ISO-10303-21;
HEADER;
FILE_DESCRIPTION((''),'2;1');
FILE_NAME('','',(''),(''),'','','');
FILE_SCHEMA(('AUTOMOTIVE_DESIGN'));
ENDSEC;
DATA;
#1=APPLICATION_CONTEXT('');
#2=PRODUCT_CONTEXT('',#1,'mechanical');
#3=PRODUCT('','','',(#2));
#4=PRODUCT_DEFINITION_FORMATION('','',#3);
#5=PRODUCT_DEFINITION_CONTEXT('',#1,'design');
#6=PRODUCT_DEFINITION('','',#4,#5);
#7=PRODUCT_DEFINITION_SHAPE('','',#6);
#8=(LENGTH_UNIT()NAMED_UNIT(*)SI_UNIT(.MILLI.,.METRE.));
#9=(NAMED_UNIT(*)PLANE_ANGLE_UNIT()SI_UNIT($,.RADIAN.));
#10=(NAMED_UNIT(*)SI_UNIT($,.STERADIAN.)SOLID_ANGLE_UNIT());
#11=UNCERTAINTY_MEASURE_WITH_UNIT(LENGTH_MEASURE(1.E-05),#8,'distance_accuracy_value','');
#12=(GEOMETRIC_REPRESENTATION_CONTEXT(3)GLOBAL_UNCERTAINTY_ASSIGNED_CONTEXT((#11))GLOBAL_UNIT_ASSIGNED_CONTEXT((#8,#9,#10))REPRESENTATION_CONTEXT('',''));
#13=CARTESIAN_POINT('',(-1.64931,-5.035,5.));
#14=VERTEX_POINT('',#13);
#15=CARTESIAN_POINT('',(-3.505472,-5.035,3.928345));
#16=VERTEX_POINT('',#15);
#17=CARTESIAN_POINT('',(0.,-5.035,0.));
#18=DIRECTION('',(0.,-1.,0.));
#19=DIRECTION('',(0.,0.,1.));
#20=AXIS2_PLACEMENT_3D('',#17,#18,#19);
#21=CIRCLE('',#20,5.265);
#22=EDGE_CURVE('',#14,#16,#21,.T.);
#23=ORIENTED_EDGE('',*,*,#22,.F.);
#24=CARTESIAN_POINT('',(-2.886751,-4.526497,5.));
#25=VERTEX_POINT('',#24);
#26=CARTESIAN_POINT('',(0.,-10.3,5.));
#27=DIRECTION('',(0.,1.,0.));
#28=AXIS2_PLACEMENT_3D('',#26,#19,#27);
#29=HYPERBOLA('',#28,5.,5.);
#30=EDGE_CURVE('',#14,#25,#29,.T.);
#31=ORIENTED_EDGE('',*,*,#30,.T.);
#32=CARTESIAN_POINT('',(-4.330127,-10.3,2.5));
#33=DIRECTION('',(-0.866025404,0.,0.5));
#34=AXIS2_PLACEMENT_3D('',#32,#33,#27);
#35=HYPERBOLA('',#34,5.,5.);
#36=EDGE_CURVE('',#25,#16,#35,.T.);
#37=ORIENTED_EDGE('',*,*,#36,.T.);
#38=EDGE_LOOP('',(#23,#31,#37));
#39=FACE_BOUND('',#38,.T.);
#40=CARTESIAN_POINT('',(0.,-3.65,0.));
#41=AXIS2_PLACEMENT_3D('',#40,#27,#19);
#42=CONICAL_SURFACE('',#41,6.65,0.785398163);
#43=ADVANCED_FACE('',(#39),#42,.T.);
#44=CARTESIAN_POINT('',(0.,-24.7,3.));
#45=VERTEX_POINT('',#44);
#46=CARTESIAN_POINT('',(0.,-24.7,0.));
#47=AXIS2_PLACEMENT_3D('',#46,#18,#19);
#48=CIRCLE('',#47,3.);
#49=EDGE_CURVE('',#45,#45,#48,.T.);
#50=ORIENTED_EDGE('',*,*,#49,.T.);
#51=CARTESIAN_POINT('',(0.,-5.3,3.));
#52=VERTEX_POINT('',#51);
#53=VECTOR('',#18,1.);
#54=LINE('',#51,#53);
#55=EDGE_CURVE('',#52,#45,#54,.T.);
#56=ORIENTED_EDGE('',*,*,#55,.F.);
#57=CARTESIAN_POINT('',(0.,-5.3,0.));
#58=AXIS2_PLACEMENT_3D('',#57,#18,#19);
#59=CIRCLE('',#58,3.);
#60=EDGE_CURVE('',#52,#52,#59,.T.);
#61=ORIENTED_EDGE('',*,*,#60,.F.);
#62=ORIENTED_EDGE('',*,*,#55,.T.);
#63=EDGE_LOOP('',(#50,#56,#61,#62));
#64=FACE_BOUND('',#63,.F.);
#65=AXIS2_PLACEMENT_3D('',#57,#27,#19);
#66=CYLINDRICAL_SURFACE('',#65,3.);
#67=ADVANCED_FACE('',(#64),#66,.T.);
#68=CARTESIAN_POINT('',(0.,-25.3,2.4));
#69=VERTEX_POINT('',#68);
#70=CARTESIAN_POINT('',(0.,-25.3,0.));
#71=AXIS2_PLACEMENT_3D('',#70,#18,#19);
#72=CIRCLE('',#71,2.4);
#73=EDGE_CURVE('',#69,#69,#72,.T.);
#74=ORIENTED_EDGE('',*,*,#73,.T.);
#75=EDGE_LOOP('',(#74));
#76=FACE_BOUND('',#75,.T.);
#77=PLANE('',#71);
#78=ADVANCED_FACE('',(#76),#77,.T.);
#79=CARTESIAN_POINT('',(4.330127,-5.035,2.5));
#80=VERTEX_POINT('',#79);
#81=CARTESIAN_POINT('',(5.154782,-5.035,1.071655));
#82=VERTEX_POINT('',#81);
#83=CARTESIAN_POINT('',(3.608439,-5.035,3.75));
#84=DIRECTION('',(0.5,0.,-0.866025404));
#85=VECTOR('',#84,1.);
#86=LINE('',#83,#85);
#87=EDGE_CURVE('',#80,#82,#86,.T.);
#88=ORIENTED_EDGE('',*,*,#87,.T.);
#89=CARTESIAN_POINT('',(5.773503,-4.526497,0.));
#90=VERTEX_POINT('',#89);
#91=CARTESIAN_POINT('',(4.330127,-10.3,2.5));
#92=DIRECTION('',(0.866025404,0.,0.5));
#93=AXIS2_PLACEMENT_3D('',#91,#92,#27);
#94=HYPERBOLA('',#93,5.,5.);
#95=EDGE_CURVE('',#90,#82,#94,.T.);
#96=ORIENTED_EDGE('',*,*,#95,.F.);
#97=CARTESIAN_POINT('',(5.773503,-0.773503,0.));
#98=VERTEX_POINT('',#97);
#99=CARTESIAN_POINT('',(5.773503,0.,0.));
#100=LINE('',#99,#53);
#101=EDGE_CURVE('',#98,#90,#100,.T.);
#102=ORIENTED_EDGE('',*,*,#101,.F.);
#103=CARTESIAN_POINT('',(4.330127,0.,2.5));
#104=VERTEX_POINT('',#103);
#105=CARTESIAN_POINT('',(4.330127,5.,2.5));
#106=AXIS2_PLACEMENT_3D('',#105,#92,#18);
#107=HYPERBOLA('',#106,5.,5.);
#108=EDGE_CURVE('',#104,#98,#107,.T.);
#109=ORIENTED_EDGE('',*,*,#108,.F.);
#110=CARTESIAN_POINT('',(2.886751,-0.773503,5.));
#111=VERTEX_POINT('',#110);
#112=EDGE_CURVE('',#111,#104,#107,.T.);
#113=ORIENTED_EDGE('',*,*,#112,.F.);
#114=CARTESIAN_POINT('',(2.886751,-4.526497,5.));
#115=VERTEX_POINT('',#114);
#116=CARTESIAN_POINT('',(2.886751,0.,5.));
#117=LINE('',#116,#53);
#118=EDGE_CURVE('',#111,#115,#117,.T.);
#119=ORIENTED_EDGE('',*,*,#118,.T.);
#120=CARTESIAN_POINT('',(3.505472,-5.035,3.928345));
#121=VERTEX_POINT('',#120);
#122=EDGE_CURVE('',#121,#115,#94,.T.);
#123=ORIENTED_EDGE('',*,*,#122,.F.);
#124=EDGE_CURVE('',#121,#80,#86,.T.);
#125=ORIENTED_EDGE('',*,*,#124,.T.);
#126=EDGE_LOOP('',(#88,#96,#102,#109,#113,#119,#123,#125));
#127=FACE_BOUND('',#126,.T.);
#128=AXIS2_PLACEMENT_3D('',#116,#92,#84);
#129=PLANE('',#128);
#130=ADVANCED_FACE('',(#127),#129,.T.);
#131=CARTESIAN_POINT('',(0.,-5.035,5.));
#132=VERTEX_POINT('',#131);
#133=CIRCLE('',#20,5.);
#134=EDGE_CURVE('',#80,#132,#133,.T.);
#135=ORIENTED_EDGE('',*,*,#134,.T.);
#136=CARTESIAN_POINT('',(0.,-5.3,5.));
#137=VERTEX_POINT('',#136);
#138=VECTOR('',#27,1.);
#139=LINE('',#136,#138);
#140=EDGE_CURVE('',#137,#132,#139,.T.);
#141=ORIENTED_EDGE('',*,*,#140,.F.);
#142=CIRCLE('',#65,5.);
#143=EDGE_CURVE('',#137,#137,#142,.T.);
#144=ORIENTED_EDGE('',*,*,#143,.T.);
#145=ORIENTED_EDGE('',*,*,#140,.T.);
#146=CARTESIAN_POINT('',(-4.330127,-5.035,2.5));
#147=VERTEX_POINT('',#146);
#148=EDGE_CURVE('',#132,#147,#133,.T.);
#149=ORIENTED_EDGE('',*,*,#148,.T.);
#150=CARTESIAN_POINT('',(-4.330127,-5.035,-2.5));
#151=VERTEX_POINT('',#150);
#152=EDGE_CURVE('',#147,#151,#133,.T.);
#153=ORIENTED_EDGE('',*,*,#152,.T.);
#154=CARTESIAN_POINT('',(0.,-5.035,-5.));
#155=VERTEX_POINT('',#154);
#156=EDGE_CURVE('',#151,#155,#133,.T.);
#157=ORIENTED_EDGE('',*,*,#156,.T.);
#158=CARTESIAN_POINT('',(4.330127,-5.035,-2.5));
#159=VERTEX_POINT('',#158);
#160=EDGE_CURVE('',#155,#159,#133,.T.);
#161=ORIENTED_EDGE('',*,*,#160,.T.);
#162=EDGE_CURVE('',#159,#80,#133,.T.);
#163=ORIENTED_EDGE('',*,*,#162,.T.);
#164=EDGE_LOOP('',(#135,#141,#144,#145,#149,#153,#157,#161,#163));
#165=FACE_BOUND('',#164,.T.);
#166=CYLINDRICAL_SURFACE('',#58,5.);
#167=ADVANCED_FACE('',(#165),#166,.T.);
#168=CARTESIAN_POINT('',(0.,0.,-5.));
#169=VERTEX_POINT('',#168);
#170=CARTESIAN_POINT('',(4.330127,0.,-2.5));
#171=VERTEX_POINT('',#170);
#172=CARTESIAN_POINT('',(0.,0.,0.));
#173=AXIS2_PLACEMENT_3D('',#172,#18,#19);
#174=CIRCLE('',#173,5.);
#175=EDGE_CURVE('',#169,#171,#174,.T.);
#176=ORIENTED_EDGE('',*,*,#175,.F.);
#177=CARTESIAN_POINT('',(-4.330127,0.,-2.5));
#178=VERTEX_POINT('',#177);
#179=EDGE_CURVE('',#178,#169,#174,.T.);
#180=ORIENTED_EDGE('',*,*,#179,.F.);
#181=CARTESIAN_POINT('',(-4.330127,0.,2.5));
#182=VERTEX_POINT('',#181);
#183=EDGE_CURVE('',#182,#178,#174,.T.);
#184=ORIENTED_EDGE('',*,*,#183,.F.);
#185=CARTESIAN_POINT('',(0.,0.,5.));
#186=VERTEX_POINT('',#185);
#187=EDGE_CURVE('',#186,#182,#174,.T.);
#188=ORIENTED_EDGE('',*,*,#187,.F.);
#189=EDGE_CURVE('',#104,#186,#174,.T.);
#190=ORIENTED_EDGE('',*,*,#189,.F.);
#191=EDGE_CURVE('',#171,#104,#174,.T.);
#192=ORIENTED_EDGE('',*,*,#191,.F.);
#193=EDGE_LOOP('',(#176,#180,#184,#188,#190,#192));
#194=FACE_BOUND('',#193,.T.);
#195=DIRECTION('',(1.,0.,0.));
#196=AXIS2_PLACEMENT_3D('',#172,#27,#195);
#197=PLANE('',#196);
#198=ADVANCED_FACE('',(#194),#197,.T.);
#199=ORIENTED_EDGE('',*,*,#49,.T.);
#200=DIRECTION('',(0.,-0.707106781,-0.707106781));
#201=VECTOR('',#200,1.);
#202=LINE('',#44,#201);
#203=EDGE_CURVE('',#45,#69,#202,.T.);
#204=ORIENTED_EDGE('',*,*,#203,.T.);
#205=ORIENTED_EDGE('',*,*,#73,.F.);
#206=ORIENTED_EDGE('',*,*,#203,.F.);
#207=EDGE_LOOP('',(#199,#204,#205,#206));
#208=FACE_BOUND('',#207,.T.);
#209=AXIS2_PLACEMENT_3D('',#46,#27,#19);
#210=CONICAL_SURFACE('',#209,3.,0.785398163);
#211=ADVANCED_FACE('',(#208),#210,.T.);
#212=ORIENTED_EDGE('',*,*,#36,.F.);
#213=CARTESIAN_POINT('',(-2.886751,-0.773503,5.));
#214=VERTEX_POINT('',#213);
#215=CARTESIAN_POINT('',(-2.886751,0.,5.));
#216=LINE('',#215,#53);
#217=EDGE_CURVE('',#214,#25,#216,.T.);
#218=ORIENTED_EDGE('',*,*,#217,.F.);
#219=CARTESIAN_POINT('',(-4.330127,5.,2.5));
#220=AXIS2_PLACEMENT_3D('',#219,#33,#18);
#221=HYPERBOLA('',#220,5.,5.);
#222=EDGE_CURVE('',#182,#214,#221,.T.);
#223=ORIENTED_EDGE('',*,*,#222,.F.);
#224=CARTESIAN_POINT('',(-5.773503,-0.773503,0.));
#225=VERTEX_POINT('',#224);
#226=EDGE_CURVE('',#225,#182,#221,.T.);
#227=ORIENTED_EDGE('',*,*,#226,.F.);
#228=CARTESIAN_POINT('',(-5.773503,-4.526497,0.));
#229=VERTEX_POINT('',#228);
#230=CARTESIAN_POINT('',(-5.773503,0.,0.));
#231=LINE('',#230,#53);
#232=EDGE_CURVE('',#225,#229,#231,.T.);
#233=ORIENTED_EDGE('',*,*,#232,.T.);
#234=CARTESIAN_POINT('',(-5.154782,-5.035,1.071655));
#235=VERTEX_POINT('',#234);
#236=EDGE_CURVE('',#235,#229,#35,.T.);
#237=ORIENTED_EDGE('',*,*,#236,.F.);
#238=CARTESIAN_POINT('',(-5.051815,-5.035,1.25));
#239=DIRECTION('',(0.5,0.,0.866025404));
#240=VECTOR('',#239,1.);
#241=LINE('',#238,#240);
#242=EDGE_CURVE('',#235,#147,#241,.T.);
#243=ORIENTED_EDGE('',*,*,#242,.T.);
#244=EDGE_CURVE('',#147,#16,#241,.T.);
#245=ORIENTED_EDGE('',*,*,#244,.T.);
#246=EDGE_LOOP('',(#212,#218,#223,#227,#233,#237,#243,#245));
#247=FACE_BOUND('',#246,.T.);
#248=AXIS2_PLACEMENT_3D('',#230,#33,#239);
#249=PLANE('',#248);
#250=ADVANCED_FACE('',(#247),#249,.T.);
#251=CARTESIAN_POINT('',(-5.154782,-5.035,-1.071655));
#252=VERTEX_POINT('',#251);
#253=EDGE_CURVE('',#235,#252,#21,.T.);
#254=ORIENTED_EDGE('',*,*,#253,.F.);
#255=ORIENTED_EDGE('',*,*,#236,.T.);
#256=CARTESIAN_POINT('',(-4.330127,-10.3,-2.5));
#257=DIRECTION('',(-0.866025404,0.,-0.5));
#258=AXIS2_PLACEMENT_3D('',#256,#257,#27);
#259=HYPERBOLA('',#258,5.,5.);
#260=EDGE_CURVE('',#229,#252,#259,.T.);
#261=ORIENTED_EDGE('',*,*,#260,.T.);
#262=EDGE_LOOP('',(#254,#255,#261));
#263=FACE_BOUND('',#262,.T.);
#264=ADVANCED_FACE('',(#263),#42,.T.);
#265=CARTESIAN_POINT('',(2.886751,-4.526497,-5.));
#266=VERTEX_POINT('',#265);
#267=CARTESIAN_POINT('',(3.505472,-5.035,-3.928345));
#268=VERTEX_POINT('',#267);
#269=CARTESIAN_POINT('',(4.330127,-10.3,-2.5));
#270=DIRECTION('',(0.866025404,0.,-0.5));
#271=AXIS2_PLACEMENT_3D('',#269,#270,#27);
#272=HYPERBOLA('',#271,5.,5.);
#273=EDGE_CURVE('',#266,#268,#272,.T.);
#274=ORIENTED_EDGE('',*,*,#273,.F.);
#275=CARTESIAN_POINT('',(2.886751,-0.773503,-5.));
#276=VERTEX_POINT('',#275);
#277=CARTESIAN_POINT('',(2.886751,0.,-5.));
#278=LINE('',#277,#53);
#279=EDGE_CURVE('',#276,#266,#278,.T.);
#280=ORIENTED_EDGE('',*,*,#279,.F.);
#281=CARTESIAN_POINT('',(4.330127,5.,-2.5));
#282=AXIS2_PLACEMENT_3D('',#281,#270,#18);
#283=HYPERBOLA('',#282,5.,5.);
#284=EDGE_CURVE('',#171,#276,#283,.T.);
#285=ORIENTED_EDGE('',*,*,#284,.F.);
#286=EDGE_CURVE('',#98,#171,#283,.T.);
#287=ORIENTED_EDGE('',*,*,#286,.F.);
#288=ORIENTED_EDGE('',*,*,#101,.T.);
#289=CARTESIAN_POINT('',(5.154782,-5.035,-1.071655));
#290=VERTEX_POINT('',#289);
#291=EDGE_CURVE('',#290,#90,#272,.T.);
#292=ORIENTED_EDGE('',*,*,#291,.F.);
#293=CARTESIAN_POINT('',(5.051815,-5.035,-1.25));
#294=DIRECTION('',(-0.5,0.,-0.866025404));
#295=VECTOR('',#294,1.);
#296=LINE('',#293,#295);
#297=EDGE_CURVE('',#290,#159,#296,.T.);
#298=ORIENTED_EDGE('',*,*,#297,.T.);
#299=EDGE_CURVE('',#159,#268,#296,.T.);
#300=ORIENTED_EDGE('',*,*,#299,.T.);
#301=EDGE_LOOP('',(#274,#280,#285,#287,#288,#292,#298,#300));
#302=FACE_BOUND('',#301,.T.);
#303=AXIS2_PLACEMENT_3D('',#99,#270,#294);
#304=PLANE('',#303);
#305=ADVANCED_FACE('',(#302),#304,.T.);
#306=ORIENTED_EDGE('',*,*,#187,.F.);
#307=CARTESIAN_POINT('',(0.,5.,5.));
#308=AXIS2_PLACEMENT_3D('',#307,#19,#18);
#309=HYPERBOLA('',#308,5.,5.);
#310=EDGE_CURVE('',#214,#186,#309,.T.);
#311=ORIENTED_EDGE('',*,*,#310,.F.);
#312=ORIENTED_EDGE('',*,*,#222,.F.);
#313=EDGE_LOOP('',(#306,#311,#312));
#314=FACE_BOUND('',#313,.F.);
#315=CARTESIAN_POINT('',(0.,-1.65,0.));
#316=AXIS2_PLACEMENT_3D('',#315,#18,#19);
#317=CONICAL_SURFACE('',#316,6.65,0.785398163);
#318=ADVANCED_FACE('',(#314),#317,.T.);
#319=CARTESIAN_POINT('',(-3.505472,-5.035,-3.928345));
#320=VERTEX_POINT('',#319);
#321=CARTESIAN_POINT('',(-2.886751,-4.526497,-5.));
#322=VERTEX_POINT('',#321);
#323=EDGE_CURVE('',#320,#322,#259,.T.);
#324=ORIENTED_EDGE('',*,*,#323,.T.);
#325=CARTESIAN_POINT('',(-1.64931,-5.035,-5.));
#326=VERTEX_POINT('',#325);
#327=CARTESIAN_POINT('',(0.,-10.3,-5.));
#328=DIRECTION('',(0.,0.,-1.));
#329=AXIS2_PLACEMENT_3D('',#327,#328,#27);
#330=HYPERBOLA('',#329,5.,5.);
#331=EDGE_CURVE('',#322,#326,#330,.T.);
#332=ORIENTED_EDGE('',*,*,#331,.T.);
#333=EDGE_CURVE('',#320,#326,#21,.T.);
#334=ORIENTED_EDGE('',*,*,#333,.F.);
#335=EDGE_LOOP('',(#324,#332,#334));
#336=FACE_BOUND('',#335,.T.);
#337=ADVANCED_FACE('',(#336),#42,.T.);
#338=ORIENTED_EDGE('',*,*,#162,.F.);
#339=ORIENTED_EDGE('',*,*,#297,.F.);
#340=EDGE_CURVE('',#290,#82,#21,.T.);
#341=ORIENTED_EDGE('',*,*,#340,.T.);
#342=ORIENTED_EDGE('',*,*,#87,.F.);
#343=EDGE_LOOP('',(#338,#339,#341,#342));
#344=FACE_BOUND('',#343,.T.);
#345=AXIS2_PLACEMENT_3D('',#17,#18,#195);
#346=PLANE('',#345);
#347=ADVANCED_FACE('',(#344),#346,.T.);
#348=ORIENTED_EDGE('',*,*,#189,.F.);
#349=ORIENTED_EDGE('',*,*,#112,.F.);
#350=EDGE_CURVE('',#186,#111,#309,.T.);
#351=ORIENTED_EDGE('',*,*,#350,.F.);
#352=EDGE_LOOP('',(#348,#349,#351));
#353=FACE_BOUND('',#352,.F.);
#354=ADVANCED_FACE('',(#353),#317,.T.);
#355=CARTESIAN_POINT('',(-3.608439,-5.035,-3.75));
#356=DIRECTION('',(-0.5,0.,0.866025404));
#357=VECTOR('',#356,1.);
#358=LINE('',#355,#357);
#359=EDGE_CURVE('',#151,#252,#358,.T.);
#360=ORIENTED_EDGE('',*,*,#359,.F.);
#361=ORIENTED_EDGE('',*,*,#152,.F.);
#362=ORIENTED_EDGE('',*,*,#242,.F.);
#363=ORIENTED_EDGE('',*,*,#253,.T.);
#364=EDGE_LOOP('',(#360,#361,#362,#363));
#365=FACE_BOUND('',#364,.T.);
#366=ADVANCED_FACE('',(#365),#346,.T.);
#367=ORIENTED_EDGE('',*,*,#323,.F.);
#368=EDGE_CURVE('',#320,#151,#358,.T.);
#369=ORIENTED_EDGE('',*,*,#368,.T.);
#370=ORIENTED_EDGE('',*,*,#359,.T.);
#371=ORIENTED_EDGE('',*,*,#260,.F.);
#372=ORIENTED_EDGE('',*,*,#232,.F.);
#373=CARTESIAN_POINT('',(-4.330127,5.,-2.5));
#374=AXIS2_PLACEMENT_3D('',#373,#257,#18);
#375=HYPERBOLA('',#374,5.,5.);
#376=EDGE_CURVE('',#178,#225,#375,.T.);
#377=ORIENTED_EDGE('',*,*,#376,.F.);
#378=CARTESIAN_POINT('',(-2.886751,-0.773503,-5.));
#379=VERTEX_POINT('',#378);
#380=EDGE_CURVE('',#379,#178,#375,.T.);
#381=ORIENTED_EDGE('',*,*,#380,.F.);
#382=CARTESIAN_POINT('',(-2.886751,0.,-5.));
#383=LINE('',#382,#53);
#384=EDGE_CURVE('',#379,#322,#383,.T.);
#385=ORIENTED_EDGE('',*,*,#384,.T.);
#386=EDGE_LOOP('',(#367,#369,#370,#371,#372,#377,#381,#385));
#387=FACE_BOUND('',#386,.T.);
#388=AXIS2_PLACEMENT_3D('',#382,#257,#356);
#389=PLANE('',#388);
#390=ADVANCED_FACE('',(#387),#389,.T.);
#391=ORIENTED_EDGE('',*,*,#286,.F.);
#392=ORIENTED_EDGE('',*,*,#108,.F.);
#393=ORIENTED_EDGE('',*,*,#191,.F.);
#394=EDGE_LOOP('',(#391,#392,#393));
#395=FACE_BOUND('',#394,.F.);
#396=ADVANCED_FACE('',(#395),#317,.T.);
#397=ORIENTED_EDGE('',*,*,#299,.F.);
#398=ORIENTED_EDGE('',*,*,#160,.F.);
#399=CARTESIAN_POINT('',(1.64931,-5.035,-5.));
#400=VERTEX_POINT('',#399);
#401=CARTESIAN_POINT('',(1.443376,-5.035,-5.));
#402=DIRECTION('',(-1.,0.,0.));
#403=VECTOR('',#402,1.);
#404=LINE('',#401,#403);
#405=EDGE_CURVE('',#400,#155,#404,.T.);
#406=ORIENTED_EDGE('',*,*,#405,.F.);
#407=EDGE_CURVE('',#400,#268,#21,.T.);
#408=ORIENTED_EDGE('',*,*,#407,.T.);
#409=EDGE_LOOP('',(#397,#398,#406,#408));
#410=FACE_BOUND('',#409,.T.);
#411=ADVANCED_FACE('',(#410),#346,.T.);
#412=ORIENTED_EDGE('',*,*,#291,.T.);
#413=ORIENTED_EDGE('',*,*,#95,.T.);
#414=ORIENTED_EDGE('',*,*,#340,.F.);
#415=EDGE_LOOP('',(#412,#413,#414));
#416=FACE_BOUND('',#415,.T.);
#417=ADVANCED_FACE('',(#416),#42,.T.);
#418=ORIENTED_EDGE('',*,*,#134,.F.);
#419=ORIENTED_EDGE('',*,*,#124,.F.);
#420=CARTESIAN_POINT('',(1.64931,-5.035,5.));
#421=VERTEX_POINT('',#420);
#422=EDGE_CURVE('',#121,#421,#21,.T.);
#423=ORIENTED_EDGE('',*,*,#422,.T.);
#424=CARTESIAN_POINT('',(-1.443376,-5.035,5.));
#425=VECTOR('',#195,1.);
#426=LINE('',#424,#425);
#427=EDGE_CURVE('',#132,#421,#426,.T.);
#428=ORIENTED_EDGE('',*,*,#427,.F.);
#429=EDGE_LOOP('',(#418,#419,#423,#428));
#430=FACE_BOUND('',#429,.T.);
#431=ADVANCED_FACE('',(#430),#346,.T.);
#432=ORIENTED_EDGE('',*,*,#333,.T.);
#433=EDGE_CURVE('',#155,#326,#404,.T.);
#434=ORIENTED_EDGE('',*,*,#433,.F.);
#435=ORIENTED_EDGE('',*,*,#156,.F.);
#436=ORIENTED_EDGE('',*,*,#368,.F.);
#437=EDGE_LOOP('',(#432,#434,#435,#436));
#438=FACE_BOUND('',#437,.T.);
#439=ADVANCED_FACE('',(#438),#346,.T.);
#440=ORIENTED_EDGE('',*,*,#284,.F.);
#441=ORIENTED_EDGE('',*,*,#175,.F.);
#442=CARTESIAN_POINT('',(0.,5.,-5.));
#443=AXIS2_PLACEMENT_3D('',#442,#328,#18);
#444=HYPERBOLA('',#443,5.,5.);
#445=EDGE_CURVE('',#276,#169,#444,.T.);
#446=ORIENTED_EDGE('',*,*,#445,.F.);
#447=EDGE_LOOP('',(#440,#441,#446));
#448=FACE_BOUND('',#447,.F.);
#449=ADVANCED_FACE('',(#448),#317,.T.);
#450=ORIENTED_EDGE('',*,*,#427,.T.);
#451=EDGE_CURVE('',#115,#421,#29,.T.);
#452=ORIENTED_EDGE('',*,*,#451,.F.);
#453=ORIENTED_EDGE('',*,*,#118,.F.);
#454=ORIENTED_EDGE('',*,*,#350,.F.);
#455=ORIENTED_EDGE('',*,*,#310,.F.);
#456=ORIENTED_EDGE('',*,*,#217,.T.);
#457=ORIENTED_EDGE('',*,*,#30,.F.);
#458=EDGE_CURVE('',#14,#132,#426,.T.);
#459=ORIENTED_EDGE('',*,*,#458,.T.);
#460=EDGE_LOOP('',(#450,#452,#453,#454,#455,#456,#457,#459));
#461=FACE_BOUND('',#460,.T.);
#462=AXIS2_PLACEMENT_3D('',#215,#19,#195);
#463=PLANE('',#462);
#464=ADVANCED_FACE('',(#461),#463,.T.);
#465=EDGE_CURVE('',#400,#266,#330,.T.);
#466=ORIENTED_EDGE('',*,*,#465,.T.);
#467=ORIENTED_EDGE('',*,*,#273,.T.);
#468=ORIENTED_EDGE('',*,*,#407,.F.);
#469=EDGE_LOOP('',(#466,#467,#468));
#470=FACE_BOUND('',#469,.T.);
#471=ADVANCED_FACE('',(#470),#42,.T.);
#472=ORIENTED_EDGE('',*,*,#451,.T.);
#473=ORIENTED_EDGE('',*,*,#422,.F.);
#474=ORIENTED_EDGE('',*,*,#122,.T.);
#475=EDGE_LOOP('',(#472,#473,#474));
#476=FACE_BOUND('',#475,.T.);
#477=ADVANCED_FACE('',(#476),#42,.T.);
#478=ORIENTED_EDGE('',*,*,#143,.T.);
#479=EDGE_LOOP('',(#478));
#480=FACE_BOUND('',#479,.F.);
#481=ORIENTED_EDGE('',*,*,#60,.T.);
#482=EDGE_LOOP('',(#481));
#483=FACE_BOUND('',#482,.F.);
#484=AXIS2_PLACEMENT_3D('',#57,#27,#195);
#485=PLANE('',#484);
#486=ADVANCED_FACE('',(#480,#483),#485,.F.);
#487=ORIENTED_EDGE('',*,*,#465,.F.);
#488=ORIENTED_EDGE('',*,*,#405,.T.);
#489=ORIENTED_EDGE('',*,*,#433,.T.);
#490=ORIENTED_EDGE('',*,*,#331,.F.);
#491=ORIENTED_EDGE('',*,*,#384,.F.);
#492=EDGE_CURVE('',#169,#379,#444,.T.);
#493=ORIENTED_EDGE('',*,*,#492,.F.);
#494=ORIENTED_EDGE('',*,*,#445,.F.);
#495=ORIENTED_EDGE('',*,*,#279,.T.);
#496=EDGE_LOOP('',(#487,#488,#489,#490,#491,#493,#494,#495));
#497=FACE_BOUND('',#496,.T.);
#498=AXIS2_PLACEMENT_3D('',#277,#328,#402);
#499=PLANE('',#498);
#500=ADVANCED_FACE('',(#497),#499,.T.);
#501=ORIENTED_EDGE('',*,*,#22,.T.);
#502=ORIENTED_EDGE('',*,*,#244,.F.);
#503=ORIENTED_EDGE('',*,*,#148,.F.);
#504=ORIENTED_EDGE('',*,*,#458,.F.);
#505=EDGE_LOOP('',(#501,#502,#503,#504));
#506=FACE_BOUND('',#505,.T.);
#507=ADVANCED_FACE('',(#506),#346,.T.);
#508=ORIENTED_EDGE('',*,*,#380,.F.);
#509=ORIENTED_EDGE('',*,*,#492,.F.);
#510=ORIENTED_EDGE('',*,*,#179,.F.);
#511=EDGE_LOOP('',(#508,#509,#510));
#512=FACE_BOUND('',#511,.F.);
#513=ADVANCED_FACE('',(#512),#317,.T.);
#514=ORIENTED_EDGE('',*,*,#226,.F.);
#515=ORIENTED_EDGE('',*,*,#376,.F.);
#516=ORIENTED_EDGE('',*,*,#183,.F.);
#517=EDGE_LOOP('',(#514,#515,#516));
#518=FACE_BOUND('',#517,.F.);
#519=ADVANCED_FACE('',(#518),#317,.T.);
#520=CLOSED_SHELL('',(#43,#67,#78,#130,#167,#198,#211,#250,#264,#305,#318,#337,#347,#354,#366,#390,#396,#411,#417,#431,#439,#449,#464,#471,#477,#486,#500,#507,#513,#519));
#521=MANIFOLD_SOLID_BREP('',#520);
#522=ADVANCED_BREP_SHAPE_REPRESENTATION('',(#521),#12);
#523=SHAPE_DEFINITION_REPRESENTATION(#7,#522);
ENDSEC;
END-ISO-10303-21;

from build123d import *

# Parameters (mm, degrees)
BOSS_EXTRUDE1_DEPTH = 5.3
SKETCH2_OUTSIDE_W   = 16.782
SKETCH2_OUTSIDE_H   = 15.234
SKETCH2_OUTSIDE_R   = 5
CUT_EXTRUDE1_DEPTH  = 0.265
SKETCH3_R           = 3
BOSS_EXTRUDE2_DEPTH = 20
CHAMFER1_SIZE       = 0.6


with BuildPart() as part:
    # Sketch1 → Boss-Extrude1 (new body)
    with BuildSketch(Plane(origin=(0, 0, 0), x_dir=(1, 0, 0), z_dir=(0, 1, 0))):
        Polygon((5.773502692, 0), (2.886751346, 5), (-2.886751346, 5), (-5.773502692, 0), (-2.886751346, -5), (2.886751346, -5), align=None)
    extrude(amount=-BOSS_EXTRUDE1_DEPTH)

    # Sketch4 → Cut-Revolve1 (revolve, cut)
    with BuildSketch(Plane(origin=(0, 0, 0), x_dir=(0, 0, -1), z_dir=(1, 0, 0))):
        Polygon((-5, 0), (-6.65, 0), (-6.65, -1.65), align=None)
        Polygon((-6.65, -3.65), (-5, -5.3), (-6.65, -5.3), align=None)
    revolve(axis=Axis((0, 0, 0), (0, -1, 0)), mode=Mode.SUBTRACT)

    # Sketch2 outside → Cut-Extrude1 (cut)
    with BuildSketch(Plane.XZ.offset(5.3)):
        Rectangle(SKETCH2_OUTSIDE_W, SKETCH2_OUTSIDE_H)
        with Locations(Location((0, 0, 0), (0, 0, 90))):
            Circle(SKETCH2_OUTSIDE_R, mode=Mode.SUBTRACT)
    extrude(amount=-CUT_EXTRUDE1_DEPTH, mode=Mode.SUBTRACT)

    # Sketch3 → Boss-Extrude2 (add)
    with BuildSketch(Plane.XZ.offset(5.3)):
        with Locations(Location((0, 0, 0), (0, 0, 90))):
            Circle(SKETCH3_R)
    extrude(amount=BOSS_EXTRUDE2_DEPTH)

    # Chamfer1
    chamfer1_edges = [part.edges().sort_by_distance(p)[0] for p in [
        (0, -25.3, -3),
    ]]
    chamfer(chamfer1_edges, length=CHAMFER1_SIZE)


solid = part.part
